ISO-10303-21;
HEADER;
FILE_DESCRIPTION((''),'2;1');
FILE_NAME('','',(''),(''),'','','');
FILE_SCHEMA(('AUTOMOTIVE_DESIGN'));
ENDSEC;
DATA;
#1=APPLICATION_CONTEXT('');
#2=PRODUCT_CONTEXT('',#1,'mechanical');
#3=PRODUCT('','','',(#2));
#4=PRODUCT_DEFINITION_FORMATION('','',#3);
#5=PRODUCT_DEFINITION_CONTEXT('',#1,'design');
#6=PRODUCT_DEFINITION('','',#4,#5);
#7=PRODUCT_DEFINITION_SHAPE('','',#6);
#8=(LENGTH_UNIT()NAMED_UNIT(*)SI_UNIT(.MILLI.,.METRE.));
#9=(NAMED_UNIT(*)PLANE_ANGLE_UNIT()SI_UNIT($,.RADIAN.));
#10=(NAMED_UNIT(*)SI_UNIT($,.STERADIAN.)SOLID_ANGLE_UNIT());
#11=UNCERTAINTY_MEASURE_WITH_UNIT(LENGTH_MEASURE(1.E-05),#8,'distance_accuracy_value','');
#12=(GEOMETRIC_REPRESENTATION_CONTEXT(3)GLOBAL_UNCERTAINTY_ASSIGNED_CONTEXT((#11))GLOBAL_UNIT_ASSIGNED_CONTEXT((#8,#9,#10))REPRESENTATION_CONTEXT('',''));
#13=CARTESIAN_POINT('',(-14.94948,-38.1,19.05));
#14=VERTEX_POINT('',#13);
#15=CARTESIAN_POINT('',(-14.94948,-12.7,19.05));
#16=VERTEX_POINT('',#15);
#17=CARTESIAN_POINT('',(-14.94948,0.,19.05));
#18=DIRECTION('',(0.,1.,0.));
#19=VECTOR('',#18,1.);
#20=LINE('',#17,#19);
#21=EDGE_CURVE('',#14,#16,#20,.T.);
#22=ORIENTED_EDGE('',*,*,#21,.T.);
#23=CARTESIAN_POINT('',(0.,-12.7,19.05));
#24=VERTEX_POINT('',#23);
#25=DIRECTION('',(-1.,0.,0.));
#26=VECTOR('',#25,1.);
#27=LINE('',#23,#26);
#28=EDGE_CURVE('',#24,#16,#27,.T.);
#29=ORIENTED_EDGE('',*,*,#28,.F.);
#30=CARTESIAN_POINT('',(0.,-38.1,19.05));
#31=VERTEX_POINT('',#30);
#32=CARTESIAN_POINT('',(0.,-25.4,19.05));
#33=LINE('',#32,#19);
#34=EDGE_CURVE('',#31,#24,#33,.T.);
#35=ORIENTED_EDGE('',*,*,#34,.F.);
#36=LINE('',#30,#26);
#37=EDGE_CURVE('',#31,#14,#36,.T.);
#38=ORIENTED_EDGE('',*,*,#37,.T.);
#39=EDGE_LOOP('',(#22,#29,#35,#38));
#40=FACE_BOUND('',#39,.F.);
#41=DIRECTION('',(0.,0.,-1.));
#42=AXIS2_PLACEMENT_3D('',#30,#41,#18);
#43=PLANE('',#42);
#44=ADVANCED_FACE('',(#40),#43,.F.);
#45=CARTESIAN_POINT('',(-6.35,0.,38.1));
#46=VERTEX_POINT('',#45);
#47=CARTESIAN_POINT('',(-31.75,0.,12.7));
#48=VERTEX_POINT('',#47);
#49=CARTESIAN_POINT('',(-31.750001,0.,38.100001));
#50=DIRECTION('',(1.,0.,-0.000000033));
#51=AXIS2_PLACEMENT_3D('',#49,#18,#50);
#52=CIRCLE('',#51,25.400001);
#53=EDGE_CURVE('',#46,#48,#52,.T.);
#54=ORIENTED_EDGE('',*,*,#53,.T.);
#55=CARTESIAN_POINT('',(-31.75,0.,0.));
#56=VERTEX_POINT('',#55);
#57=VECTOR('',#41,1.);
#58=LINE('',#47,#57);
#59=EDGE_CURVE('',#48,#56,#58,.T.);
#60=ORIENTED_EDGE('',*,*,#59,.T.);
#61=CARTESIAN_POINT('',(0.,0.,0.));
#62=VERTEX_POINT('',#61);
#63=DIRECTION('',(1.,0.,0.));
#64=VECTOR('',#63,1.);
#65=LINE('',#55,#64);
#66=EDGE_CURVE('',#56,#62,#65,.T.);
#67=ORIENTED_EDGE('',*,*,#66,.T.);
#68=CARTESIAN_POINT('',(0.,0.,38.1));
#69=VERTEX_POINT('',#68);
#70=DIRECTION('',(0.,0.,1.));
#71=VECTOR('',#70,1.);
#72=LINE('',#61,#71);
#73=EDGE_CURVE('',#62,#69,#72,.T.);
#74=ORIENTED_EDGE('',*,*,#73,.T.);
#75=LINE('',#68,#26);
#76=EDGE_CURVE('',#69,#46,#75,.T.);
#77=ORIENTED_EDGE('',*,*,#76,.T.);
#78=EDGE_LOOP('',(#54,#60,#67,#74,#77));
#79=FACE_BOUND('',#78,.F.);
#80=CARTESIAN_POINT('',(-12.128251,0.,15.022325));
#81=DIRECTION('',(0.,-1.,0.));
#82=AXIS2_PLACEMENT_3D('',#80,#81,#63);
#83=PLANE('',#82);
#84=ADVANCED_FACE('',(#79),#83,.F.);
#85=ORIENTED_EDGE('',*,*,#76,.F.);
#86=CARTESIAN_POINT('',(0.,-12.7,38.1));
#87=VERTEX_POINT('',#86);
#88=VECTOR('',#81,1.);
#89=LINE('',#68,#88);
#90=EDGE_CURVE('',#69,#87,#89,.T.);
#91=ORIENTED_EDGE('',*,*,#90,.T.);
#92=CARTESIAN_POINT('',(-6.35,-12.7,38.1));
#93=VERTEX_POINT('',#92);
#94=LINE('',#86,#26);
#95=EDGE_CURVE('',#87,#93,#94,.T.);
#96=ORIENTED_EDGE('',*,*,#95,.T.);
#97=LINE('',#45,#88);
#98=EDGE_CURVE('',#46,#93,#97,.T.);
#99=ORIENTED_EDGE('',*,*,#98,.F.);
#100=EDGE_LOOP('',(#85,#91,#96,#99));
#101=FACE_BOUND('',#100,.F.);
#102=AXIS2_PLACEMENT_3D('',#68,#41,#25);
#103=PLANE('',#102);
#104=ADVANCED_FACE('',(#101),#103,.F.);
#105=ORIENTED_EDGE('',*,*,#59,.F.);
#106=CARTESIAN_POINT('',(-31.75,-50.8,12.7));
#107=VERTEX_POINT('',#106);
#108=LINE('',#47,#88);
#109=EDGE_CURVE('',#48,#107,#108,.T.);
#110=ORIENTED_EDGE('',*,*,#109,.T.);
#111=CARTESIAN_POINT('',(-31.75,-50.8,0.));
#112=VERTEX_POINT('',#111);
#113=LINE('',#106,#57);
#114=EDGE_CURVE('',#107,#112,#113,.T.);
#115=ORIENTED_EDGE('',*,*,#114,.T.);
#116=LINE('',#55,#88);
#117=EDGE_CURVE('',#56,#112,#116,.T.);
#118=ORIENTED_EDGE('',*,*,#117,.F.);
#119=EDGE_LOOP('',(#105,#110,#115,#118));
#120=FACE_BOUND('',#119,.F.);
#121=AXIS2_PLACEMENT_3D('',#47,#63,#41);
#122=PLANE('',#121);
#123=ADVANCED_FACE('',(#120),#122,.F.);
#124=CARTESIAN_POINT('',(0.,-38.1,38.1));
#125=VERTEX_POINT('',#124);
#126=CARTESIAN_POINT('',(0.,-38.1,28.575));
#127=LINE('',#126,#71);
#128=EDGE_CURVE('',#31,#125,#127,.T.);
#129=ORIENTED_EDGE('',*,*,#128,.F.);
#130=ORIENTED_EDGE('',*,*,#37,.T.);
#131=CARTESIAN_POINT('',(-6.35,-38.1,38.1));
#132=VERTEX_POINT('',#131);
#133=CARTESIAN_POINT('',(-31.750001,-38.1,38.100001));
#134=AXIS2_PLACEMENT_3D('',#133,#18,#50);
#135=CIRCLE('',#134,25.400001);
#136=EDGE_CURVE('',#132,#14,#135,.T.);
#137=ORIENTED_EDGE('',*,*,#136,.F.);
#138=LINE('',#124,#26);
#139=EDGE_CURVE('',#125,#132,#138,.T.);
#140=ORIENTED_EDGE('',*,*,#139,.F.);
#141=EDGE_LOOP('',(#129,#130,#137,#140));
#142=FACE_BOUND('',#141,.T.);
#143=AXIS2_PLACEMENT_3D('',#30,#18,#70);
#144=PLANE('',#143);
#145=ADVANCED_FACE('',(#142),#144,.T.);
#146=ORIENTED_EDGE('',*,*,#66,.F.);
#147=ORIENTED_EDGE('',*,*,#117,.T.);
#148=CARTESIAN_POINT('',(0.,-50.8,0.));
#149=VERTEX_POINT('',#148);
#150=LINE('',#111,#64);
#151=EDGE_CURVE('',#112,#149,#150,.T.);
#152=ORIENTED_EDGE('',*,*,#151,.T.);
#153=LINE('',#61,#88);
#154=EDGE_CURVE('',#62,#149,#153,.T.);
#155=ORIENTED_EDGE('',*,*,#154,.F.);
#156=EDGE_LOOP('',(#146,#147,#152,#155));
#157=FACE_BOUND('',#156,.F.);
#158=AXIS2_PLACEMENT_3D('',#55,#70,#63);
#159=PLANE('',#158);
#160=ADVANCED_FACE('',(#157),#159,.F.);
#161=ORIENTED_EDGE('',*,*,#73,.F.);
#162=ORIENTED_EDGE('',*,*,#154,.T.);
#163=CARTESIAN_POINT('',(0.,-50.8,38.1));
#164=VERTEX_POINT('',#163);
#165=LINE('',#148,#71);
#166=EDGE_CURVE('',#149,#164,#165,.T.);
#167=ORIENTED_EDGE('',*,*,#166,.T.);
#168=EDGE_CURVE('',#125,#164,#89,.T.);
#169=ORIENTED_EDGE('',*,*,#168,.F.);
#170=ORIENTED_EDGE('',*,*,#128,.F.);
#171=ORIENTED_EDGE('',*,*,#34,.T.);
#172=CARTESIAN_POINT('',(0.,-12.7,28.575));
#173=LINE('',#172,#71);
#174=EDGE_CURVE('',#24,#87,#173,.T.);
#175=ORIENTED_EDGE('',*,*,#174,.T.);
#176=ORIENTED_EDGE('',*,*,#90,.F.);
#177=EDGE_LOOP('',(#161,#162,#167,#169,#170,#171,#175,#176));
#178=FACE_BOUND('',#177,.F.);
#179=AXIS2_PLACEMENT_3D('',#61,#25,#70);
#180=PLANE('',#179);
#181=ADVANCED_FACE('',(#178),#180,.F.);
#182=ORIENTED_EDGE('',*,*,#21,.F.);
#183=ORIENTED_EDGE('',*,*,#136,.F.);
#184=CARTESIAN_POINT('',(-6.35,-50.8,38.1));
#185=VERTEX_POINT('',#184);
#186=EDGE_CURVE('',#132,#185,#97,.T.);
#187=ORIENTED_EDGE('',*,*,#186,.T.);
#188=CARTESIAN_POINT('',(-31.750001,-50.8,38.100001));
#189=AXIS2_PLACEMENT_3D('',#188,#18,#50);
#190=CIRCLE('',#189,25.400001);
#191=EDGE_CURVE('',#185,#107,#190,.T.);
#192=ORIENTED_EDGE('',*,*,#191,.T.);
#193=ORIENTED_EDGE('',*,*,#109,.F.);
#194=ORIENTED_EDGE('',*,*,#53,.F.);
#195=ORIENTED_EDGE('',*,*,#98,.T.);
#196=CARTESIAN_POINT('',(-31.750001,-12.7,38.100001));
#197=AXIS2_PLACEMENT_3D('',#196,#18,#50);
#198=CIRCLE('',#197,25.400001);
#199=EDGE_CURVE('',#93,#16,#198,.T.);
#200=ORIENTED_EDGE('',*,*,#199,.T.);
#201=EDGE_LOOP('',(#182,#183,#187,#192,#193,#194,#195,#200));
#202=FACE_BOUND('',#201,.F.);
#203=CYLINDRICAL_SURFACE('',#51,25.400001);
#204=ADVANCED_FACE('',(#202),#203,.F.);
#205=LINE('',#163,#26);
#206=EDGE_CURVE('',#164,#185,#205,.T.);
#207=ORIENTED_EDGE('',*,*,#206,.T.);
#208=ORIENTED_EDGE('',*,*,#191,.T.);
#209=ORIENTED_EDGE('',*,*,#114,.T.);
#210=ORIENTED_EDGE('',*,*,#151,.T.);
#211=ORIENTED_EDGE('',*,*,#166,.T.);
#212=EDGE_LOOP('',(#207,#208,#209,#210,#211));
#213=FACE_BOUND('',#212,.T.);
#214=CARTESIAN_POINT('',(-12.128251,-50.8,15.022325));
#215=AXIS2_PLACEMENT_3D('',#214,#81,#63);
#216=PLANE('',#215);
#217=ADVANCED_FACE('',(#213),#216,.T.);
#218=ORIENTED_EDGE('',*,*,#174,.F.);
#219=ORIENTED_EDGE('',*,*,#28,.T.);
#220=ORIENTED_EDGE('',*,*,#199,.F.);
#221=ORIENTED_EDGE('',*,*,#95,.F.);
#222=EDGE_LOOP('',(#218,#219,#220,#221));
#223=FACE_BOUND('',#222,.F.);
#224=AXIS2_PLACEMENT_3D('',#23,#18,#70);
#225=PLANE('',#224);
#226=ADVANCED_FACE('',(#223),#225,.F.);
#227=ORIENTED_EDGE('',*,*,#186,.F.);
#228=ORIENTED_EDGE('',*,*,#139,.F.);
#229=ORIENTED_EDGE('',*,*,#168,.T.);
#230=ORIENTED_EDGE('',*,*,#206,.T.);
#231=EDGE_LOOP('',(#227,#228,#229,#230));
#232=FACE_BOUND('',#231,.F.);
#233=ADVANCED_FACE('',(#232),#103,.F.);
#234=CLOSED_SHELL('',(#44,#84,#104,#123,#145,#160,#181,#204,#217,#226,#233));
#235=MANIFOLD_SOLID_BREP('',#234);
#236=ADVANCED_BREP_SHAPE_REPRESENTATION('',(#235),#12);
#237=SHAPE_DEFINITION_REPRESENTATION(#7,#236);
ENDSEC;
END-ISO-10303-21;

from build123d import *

# Parameters (mm, degrees)
F1_DEPTH = 50.8
F2_W     = 25.4
F2_H     = 19.05
F3_DEPTH = 25.4


with BuildPart() as f1:
    # F0 (on Front) → F1 (new body)
    with BuildSketch(Plane.XZ):
        with BuildLine():
            Line((-31.75, 0), (0, 0))
            Line((0, 0), (0, 38.1))
            Line((0, 38.1), (-6.35, 38.1))
            ThreePointArc((-6.35, 38.1), (-13.789488, 20.139488), (-31.75, 12.7))
            Line((-31.75, 12.7), (-31.75, 0))
        make_face()
    extrude(amount=F1_DEPTH)

    # F2 (on face) → F3 (cut)
    with BuildSketch(Plane.YZ):
        with Locations((-25.4, 28.575)):
            Rectangle(F2_W, F2_H)
    extrude(amount=-F3_DEPTH, mode=Mode.SUBTRACT)


solid = f1.part
